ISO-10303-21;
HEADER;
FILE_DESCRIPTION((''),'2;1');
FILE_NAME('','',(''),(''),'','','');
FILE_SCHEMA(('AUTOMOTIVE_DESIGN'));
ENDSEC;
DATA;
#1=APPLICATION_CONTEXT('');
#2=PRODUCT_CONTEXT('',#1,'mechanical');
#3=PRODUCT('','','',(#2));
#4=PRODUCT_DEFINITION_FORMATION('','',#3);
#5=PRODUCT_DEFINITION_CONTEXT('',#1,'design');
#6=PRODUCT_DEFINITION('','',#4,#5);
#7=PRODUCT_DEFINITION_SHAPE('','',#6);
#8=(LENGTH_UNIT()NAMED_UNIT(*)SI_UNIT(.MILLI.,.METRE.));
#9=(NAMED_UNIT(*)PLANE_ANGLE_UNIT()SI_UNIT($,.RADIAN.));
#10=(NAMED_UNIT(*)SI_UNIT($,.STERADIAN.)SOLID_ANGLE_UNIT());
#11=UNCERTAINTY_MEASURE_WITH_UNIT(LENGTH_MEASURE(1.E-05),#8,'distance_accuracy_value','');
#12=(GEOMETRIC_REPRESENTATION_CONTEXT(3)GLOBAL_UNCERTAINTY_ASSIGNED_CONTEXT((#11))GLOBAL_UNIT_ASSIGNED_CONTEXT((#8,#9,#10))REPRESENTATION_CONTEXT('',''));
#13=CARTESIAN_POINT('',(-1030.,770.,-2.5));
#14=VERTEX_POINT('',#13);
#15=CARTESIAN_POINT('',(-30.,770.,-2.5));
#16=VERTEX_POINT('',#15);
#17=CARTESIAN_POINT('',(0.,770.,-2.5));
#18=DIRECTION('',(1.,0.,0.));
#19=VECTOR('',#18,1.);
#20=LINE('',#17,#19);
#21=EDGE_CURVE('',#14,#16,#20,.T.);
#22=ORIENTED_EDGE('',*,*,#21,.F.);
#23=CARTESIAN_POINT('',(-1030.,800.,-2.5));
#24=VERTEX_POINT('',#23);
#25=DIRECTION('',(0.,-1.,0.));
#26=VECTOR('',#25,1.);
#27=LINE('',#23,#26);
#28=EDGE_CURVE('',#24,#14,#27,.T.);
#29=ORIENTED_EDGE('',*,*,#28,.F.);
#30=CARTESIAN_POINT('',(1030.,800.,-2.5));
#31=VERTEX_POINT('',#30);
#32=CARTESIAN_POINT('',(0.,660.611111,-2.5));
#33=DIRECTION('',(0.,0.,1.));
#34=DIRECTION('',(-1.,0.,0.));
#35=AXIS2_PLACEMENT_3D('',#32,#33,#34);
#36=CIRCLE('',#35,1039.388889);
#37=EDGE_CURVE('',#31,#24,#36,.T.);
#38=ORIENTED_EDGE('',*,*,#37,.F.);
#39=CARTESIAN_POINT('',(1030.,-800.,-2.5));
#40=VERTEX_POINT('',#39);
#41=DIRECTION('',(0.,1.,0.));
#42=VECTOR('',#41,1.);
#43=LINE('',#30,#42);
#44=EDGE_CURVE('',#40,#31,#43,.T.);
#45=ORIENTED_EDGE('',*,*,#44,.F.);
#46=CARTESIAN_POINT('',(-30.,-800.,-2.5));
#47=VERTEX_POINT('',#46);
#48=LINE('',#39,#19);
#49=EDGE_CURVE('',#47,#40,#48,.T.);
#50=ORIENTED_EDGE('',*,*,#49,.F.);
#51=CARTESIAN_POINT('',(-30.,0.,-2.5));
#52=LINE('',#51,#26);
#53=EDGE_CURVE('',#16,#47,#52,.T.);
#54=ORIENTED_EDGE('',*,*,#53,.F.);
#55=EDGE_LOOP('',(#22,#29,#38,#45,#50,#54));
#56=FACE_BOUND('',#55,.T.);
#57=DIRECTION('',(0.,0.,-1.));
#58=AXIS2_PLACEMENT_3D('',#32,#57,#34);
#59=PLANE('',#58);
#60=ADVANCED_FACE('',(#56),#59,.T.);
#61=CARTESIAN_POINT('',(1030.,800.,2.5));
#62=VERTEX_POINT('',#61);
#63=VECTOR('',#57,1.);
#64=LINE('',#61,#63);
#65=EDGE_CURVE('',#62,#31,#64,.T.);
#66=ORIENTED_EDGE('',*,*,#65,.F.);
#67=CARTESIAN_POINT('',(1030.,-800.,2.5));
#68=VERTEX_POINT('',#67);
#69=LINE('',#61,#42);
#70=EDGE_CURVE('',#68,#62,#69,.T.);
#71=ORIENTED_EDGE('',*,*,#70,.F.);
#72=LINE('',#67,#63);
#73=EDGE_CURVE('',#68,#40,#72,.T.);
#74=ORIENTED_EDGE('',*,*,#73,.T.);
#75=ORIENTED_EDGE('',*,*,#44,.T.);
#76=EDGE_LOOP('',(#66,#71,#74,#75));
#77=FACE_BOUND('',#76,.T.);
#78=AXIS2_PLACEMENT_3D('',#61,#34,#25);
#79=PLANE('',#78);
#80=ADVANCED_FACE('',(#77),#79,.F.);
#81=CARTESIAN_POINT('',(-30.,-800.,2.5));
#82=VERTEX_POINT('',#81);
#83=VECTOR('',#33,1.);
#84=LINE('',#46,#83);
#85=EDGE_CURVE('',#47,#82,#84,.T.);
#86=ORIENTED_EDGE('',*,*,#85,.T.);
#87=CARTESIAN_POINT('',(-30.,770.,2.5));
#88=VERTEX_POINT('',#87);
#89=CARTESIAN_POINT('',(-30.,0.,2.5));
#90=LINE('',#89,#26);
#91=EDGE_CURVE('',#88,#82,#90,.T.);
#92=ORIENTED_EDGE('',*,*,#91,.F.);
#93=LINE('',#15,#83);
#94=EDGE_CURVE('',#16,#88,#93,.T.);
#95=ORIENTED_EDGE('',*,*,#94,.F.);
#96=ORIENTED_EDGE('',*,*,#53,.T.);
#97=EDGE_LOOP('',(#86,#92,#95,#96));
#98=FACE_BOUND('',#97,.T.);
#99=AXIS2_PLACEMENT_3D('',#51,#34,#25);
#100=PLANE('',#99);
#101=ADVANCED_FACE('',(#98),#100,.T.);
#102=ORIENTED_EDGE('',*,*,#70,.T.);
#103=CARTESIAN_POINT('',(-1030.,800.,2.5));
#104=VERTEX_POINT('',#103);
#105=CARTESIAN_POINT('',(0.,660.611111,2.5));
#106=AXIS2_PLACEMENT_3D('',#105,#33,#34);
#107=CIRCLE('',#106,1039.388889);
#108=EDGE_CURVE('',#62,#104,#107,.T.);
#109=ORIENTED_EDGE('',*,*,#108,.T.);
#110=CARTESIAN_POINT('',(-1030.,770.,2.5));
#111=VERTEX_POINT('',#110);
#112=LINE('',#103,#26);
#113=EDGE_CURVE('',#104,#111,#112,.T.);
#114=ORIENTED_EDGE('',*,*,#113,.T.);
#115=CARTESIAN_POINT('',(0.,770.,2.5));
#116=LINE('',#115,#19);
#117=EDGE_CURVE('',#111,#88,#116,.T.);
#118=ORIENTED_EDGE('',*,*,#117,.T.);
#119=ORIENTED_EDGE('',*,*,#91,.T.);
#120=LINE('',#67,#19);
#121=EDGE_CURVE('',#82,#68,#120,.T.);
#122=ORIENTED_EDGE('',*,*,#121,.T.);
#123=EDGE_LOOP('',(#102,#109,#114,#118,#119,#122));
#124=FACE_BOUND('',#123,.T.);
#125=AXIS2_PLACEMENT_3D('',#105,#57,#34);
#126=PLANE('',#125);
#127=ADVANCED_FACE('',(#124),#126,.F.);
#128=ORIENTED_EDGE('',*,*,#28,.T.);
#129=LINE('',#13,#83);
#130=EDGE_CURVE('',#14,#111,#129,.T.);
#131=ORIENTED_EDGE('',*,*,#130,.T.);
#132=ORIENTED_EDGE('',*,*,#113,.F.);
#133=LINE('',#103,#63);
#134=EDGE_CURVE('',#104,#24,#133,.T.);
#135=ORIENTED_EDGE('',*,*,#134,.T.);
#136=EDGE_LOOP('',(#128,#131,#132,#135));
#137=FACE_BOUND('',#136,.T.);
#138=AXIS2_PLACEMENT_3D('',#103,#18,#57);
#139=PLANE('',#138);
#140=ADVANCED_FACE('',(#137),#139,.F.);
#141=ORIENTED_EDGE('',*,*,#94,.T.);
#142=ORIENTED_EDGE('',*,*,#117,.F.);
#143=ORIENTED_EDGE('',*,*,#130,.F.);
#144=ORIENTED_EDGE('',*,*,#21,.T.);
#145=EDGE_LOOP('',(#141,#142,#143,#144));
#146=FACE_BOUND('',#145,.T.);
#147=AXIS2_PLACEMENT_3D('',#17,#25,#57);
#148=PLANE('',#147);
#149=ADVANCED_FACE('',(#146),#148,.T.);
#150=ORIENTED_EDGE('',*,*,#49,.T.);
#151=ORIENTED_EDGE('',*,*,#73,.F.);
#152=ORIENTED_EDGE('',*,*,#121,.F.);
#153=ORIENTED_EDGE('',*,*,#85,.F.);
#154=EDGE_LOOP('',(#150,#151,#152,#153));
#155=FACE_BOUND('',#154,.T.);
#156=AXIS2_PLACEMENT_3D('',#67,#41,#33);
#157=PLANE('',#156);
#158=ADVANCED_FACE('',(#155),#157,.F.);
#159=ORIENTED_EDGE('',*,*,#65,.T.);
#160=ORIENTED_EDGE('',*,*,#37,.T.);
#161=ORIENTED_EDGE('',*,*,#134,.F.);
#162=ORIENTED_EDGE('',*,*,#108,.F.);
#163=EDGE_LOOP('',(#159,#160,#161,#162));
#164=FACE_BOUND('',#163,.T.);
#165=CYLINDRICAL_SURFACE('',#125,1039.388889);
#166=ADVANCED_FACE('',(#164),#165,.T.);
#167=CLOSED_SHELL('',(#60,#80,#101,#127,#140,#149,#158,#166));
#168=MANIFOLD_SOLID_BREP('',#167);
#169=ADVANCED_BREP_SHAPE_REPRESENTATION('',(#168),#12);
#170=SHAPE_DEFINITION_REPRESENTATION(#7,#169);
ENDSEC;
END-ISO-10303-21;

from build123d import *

# Parameters (mm, degrees)
BOSS_EXTRUDE1_DEPTH = 2.5
SKETCH2_W           = 1000
SKETCH2_H           = 1570
CUT_EXTRUDE2_DEPTH  = 6


with BuildPart() as part:
    # Sketch1 → Boss-Extrude1 (new body, symmetric)
    with BuildSketch(Plane.XY):
        with BuildLine():
            Line((1030, 800), (1030, -800))
            Line((1030, -800), (-1030, -800))
            Line((-1030, -800), (-1030, 800))
            ThreePointArc((-1030, 800), (0, 1700), (1030, 800))
        make_face()
    extrude(amount=BOSS_EXTRUDE1_DEPTH, both=True)

    # Sketch2 → Cut-Extrude2 (cut, through all)
    with BuildSketch(Plane.XY.offset(2.5)):
        with Locations((-530, -15)):
            Rectangle(SKETCH2_W, SKETCH2_H)
    extrude(amount=-CUT_EXTRUDE2_DEPTH, mode=Mode.SUBTRACT)


solid = part.part
